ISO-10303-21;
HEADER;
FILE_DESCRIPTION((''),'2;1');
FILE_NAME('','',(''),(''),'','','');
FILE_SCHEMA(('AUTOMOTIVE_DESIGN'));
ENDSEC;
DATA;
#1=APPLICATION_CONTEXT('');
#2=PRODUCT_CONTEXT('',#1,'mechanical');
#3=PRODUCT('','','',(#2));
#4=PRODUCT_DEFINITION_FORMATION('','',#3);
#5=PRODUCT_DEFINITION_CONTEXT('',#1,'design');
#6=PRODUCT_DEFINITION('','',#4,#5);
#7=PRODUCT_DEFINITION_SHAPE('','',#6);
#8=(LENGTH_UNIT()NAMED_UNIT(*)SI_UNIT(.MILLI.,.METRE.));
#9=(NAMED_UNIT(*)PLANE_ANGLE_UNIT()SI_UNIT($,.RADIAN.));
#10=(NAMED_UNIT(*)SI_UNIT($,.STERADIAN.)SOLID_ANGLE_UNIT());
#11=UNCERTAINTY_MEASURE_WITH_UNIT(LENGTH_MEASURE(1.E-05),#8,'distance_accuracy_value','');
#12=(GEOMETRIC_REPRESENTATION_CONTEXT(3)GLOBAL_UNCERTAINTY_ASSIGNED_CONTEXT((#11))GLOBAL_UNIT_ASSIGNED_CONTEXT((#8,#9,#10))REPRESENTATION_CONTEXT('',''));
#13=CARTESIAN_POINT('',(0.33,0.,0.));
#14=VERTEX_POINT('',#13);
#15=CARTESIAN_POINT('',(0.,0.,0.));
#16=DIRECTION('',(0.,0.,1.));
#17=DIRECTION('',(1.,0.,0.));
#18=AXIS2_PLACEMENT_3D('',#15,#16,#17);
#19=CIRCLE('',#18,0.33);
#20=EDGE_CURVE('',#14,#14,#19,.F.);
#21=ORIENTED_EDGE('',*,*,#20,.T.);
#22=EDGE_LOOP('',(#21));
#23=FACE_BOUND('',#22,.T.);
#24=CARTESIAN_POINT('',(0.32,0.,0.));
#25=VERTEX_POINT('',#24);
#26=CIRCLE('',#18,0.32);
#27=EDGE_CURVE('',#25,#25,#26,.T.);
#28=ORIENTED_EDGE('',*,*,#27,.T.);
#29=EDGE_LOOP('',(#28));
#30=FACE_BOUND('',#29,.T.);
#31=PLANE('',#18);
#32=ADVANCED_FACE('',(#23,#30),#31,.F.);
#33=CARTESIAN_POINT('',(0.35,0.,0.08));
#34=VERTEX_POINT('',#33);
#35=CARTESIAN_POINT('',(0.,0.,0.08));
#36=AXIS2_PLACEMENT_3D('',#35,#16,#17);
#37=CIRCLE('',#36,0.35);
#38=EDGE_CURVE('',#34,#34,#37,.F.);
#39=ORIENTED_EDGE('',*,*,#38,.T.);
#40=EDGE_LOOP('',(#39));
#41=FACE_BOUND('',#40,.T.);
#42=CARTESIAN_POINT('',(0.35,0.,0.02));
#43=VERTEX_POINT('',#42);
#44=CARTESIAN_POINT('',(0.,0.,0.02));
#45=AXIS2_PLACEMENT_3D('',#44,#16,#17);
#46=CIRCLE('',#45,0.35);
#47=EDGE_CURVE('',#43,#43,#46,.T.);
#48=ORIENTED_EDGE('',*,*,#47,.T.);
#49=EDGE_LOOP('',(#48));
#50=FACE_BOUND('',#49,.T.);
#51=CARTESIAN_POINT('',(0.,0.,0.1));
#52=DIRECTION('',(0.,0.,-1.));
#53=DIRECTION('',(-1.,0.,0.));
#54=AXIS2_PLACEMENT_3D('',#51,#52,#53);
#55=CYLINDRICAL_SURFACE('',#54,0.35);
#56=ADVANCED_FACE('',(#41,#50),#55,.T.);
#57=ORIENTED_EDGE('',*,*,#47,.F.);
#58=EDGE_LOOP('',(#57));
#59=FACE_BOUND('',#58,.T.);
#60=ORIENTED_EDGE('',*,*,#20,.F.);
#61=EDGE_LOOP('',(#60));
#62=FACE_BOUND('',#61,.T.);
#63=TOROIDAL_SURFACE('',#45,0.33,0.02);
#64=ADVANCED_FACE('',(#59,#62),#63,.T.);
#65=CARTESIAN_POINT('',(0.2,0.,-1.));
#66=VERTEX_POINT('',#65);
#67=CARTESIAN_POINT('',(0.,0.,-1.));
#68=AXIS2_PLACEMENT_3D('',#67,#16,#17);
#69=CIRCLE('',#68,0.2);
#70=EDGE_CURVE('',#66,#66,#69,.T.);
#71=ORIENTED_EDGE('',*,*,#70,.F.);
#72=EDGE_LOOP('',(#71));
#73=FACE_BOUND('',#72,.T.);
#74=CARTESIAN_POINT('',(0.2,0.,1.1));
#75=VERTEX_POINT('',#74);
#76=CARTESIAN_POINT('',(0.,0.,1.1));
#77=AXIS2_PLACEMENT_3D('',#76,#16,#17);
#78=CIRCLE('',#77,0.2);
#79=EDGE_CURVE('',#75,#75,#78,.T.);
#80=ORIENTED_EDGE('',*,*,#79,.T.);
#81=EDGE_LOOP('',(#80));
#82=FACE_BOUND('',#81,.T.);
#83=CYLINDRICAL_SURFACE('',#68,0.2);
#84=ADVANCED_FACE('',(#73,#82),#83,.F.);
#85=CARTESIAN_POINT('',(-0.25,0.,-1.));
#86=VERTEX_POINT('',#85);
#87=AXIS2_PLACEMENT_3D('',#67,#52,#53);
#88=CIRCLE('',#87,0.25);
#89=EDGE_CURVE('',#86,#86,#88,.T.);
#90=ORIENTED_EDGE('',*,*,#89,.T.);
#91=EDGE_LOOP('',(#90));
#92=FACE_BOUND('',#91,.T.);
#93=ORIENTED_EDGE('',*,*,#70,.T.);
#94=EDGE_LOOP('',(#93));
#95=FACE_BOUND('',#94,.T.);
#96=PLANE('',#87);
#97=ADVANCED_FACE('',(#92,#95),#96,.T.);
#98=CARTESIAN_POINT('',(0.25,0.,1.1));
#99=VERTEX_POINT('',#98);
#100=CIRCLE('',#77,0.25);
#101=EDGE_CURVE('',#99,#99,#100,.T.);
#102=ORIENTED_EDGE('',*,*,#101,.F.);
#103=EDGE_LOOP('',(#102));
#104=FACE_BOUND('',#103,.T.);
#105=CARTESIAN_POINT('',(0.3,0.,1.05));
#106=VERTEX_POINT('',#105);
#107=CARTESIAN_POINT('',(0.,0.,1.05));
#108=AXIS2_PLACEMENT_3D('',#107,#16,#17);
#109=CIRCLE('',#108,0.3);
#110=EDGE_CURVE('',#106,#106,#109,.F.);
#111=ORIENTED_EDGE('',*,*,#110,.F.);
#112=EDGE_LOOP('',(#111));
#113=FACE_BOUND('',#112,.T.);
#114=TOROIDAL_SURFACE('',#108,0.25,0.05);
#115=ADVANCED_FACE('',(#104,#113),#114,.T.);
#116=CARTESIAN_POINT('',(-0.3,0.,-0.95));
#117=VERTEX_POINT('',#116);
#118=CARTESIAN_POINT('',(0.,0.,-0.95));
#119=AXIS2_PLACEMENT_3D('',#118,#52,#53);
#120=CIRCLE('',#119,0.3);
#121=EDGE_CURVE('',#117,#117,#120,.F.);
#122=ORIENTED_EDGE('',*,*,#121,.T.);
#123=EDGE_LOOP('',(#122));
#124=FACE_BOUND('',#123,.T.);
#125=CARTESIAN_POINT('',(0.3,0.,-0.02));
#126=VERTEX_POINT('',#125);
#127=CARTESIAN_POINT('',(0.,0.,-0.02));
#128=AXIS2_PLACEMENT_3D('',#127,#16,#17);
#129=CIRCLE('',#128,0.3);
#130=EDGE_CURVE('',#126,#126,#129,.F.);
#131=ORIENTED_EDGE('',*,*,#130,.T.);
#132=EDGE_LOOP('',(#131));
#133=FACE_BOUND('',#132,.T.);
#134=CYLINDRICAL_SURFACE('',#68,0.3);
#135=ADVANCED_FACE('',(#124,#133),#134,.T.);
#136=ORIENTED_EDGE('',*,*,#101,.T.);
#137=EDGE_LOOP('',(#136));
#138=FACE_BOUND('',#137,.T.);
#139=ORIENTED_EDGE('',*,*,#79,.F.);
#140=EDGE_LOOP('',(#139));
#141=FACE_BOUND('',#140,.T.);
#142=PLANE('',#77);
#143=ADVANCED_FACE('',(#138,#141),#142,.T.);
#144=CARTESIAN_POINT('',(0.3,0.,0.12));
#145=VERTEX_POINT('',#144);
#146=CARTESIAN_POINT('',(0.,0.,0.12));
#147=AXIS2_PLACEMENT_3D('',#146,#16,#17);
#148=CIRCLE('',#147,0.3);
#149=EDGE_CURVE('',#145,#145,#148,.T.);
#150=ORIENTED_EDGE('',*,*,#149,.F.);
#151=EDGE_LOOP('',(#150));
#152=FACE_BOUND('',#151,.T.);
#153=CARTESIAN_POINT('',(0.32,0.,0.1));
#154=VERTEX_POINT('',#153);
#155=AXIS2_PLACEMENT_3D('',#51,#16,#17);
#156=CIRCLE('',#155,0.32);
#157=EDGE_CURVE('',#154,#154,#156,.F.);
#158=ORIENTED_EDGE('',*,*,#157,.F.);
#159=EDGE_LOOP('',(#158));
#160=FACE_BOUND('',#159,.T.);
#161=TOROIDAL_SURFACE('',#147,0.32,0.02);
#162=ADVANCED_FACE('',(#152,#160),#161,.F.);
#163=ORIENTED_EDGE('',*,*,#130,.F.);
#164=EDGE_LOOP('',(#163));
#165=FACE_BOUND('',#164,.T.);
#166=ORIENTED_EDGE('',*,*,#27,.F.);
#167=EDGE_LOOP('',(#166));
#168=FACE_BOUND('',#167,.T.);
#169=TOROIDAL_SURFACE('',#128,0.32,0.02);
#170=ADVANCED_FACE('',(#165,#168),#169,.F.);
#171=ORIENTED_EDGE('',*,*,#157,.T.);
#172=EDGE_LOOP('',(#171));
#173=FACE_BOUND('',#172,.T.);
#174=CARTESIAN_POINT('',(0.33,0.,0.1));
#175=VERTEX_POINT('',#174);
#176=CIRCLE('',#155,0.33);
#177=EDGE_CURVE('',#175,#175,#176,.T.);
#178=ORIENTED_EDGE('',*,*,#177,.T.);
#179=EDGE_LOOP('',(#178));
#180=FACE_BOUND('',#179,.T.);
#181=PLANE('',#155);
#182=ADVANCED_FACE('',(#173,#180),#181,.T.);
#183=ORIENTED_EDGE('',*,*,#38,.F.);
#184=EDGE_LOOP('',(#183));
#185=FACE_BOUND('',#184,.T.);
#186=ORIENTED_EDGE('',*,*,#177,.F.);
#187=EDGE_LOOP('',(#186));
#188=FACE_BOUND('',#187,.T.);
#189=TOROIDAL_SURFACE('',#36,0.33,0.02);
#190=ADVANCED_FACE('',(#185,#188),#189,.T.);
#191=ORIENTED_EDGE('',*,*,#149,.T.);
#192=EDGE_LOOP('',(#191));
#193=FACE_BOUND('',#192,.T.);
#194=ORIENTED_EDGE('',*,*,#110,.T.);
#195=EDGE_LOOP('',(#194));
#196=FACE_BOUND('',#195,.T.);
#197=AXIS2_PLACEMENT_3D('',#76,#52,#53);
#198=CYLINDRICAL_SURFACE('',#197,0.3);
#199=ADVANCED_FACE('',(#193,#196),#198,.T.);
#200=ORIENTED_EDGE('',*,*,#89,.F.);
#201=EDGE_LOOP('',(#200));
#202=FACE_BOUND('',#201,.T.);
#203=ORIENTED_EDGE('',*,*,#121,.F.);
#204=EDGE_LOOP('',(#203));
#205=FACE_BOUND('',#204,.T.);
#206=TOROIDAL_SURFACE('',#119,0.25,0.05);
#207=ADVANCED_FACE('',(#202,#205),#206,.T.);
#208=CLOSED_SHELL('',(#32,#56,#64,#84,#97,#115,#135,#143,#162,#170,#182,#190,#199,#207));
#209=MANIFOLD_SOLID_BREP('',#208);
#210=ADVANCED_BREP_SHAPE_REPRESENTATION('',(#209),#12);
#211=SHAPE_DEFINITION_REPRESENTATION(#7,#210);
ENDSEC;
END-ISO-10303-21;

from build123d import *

# Parameters (mm, degrees)
SKETCH1_R           = 0.35
BOSS_EXTRUDE2_DEPTH = 0.1
SKETCH4_R           = 0.3
BOSS_EXTRUDE3_DEPTH = 1
BOSS_EXTRUDE4_START = 1
SKETCH5_R           = 0.3
BOSS_EXTRUDE4_DEPTH = 1
FILLET1_R           = 0.05
FILLET2_R           = 0.05
FILLET3_R           = 0.02
FILLET4_R           = 0.02
FILLET5_R           = 0.02
FILLET6_R           = 0.02
SKETCH6_R           = 0.2
CUT_EXTRUDE1_DEPTH  = 2.1


with BuildPart() as part:
    # Sketch1 → Boss-Extrude2 (new body)
    with BuildSketch(Plane.XY):
        Circle(SKETCH1_R)
    extrude(amount=BOSS_EXTRUDE2_DEPTH)

    # Sketch4 → Boss-Extrude3 (add)
    with BuildSketch(Plane.XY.offset(0.1)):
        Circle(SKETCH4_R)
    extrude(amount=BOSS_EXTRUDE3_DEPTH)

    # Sketch5 → Boss-Extrude4 (add)
    with BuildSketch(Plane(origin=(0, 0, 0), x_dir=(-1, 0, 0), z_dir=(0, 0, -1)).offset(BOSS_EXTRUDE4_START)):
        with Locations(Location((0, 0, 0), (0, 0, 180))):
            Circle(SKETCH5_R)
    extrude(amount=-BOSS_EXTRUDE4_DEPTH)

    # Fillet1
    fillet1_edges = [part.edges().sort_by_distance(p)[0] for p in [
        (-0.3, 0, 1.1),
    ]]
    fillet(fillet1_edges, radius=FILLET1_R)

    # Fillet2
    fillet2_edges = [part.edges().sort_by_distance(p)[0] for p in [
        (-0.3, 0, -1),
    ]]
    fillet(fillet2_edges, radius=FILLET2_R)

    # Fillet3
    fillet3_edges = [part.edges().sort_by_distance(p)[0] for p in [
        (-0.35, 0, 0.1),
    ]]
    fillet(fillet3_edges, radius=FILLET3_R)

    # Fillet4
    fillet4_edges = [part.edges().sort_by_distance(p)[0] for p in [
        (-0.3, 0, 0),
    ]]
    fillet(fillet4_edges, radius=FILLET4_R)

    # Fillet5
    fillet5_edges = [part.edges().sort_by_distance(p)[0] for p in [
        (-0.35, 0, 0),
    ]]
    fillet(fillet5_edges, radius=FILLET5_R)

    # Fillet6
    fillet6_edges = [part.edges().sort_by_distance(p)[0] for p in [
        (-0.3, 0, 0.1),
    ]]
    fillet(fillet6_edges, radius=FILLET6_R)

    # Sketch6 → Cut-Extrude1 (cut)
    with BuildSketch(Plane.XY.offset(1.1)):
        Circle(SKETCH6_R)
    extrude(amount=-CUT_EXTRUDE1_DEPTH, mode=Mode.SUBTRACT)


solid = part.part
